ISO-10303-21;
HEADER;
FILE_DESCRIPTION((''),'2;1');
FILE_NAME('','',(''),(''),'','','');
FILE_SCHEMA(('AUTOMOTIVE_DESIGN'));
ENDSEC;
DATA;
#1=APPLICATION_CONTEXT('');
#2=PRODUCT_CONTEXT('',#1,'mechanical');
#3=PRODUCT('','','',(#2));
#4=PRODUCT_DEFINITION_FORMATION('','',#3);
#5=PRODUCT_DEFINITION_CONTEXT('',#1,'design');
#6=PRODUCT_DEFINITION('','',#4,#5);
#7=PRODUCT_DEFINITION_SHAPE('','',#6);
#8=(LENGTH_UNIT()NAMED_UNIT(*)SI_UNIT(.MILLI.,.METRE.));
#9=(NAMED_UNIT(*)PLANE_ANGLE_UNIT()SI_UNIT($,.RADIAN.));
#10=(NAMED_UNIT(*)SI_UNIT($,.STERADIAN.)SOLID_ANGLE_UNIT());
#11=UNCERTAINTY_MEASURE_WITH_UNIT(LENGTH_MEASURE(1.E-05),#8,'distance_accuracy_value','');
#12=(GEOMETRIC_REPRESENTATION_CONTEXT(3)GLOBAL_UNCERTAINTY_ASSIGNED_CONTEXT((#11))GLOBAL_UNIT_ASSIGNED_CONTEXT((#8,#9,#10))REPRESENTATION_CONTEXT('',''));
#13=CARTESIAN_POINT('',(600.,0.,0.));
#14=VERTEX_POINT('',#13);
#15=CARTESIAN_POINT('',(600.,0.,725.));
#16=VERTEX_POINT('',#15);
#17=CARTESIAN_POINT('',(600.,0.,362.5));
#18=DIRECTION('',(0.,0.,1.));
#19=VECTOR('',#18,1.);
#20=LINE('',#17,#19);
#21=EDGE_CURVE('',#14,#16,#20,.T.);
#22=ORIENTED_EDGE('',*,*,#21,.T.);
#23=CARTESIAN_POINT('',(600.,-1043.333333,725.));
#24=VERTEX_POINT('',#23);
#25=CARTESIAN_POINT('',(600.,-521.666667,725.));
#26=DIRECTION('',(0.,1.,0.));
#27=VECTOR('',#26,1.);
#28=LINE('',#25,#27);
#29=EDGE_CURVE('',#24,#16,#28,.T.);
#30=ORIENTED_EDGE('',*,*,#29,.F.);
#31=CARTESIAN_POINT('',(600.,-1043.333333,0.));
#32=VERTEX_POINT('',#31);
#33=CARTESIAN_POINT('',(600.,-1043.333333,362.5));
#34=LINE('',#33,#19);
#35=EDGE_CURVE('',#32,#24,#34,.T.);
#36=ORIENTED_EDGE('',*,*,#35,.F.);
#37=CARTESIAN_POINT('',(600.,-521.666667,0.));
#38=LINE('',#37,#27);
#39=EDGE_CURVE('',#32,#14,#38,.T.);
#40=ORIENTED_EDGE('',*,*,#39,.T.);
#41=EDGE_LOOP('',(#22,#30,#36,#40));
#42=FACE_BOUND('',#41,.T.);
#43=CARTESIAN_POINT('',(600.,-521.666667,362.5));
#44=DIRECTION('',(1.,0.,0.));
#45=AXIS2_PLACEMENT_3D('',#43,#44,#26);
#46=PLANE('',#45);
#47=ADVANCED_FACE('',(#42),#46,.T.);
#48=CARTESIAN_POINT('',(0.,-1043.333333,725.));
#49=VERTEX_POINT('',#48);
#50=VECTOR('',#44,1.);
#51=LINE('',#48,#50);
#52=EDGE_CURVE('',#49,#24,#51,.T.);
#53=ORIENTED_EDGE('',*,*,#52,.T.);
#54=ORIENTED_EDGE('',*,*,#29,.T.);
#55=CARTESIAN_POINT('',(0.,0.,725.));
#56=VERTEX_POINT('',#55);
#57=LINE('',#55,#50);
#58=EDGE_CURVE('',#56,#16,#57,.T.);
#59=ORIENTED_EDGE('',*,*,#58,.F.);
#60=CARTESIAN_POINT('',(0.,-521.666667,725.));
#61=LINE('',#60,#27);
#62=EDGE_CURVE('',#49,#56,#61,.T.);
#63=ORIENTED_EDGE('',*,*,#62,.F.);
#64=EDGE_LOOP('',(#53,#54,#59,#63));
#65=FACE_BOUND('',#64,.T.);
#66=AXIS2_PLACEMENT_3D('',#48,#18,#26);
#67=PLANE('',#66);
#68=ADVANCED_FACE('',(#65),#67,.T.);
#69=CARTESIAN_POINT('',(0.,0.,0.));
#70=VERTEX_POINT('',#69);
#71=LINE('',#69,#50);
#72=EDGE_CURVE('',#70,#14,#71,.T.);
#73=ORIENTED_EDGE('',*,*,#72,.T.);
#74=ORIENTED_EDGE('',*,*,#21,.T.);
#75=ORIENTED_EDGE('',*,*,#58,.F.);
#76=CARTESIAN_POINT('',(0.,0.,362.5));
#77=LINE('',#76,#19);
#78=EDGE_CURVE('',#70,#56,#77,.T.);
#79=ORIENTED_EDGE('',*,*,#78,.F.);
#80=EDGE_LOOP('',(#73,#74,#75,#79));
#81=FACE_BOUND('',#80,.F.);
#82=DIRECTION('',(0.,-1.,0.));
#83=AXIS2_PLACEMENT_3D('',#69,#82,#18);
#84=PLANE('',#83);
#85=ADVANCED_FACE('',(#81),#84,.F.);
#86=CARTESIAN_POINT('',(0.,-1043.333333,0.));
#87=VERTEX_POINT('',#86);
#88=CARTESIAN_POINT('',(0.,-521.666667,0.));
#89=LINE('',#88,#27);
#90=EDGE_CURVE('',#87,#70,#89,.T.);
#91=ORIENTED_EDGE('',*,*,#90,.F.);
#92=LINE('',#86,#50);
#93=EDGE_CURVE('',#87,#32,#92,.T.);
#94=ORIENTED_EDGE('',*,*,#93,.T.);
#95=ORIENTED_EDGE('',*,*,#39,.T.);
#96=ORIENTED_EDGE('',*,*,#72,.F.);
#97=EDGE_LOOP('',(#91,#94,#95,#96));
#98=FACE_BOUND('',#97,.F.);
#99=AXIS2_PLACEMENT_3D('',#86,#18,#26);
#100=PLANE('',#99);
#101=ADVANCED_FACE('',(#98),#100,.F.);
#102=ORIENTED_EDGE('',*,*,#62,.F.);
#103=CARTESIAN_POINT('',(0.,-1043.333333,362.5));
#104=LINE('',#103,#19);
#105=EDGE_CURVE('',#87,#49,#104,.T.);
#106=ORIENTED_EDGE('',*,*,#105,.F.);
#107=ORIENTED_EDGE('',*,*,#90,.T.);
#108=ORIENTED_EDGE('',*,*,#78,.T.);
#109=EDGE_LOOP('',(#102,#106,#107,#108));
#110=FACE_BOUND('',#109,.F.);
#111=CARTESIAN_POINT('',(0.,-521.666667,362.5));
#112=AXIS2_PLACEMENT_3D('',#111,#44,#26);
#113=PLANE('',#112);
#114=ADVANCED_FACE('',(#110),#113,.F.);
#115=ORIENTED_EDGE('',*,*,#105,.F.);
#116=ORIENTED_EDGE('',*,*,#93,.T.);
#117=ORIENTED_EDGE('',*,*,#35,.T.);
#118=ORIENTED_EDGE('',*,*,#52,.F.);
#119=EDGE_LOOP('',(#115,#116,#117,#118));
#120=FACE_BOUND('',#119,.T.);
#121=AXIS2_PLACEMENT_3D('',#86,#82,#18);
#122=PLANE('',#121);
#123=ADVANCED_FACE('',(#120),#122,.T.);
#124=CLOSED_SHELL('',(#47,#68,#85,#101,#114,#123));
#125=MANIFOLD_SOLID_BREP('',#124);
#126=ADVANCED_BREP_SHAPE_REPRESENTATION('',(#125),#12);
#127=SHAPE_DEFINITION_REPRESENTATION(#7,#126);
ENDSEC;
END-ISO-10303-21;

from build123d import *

# Parameters (mm, degrees)
SKETCH_W  = 1043.333333
SKETCH_H  = 725
PAD_DEPTH = 600


with BuildPart() as part:
    # Sketch → Pad (new body)
    with BuildSketch(Plane.YZ):
        with Locations((-521.666667, 362.5)):
            Rectangle(SKETCH_W, SKETCH_H)
    extrude(amount=PAD_DEPTH)


solid = part.part
